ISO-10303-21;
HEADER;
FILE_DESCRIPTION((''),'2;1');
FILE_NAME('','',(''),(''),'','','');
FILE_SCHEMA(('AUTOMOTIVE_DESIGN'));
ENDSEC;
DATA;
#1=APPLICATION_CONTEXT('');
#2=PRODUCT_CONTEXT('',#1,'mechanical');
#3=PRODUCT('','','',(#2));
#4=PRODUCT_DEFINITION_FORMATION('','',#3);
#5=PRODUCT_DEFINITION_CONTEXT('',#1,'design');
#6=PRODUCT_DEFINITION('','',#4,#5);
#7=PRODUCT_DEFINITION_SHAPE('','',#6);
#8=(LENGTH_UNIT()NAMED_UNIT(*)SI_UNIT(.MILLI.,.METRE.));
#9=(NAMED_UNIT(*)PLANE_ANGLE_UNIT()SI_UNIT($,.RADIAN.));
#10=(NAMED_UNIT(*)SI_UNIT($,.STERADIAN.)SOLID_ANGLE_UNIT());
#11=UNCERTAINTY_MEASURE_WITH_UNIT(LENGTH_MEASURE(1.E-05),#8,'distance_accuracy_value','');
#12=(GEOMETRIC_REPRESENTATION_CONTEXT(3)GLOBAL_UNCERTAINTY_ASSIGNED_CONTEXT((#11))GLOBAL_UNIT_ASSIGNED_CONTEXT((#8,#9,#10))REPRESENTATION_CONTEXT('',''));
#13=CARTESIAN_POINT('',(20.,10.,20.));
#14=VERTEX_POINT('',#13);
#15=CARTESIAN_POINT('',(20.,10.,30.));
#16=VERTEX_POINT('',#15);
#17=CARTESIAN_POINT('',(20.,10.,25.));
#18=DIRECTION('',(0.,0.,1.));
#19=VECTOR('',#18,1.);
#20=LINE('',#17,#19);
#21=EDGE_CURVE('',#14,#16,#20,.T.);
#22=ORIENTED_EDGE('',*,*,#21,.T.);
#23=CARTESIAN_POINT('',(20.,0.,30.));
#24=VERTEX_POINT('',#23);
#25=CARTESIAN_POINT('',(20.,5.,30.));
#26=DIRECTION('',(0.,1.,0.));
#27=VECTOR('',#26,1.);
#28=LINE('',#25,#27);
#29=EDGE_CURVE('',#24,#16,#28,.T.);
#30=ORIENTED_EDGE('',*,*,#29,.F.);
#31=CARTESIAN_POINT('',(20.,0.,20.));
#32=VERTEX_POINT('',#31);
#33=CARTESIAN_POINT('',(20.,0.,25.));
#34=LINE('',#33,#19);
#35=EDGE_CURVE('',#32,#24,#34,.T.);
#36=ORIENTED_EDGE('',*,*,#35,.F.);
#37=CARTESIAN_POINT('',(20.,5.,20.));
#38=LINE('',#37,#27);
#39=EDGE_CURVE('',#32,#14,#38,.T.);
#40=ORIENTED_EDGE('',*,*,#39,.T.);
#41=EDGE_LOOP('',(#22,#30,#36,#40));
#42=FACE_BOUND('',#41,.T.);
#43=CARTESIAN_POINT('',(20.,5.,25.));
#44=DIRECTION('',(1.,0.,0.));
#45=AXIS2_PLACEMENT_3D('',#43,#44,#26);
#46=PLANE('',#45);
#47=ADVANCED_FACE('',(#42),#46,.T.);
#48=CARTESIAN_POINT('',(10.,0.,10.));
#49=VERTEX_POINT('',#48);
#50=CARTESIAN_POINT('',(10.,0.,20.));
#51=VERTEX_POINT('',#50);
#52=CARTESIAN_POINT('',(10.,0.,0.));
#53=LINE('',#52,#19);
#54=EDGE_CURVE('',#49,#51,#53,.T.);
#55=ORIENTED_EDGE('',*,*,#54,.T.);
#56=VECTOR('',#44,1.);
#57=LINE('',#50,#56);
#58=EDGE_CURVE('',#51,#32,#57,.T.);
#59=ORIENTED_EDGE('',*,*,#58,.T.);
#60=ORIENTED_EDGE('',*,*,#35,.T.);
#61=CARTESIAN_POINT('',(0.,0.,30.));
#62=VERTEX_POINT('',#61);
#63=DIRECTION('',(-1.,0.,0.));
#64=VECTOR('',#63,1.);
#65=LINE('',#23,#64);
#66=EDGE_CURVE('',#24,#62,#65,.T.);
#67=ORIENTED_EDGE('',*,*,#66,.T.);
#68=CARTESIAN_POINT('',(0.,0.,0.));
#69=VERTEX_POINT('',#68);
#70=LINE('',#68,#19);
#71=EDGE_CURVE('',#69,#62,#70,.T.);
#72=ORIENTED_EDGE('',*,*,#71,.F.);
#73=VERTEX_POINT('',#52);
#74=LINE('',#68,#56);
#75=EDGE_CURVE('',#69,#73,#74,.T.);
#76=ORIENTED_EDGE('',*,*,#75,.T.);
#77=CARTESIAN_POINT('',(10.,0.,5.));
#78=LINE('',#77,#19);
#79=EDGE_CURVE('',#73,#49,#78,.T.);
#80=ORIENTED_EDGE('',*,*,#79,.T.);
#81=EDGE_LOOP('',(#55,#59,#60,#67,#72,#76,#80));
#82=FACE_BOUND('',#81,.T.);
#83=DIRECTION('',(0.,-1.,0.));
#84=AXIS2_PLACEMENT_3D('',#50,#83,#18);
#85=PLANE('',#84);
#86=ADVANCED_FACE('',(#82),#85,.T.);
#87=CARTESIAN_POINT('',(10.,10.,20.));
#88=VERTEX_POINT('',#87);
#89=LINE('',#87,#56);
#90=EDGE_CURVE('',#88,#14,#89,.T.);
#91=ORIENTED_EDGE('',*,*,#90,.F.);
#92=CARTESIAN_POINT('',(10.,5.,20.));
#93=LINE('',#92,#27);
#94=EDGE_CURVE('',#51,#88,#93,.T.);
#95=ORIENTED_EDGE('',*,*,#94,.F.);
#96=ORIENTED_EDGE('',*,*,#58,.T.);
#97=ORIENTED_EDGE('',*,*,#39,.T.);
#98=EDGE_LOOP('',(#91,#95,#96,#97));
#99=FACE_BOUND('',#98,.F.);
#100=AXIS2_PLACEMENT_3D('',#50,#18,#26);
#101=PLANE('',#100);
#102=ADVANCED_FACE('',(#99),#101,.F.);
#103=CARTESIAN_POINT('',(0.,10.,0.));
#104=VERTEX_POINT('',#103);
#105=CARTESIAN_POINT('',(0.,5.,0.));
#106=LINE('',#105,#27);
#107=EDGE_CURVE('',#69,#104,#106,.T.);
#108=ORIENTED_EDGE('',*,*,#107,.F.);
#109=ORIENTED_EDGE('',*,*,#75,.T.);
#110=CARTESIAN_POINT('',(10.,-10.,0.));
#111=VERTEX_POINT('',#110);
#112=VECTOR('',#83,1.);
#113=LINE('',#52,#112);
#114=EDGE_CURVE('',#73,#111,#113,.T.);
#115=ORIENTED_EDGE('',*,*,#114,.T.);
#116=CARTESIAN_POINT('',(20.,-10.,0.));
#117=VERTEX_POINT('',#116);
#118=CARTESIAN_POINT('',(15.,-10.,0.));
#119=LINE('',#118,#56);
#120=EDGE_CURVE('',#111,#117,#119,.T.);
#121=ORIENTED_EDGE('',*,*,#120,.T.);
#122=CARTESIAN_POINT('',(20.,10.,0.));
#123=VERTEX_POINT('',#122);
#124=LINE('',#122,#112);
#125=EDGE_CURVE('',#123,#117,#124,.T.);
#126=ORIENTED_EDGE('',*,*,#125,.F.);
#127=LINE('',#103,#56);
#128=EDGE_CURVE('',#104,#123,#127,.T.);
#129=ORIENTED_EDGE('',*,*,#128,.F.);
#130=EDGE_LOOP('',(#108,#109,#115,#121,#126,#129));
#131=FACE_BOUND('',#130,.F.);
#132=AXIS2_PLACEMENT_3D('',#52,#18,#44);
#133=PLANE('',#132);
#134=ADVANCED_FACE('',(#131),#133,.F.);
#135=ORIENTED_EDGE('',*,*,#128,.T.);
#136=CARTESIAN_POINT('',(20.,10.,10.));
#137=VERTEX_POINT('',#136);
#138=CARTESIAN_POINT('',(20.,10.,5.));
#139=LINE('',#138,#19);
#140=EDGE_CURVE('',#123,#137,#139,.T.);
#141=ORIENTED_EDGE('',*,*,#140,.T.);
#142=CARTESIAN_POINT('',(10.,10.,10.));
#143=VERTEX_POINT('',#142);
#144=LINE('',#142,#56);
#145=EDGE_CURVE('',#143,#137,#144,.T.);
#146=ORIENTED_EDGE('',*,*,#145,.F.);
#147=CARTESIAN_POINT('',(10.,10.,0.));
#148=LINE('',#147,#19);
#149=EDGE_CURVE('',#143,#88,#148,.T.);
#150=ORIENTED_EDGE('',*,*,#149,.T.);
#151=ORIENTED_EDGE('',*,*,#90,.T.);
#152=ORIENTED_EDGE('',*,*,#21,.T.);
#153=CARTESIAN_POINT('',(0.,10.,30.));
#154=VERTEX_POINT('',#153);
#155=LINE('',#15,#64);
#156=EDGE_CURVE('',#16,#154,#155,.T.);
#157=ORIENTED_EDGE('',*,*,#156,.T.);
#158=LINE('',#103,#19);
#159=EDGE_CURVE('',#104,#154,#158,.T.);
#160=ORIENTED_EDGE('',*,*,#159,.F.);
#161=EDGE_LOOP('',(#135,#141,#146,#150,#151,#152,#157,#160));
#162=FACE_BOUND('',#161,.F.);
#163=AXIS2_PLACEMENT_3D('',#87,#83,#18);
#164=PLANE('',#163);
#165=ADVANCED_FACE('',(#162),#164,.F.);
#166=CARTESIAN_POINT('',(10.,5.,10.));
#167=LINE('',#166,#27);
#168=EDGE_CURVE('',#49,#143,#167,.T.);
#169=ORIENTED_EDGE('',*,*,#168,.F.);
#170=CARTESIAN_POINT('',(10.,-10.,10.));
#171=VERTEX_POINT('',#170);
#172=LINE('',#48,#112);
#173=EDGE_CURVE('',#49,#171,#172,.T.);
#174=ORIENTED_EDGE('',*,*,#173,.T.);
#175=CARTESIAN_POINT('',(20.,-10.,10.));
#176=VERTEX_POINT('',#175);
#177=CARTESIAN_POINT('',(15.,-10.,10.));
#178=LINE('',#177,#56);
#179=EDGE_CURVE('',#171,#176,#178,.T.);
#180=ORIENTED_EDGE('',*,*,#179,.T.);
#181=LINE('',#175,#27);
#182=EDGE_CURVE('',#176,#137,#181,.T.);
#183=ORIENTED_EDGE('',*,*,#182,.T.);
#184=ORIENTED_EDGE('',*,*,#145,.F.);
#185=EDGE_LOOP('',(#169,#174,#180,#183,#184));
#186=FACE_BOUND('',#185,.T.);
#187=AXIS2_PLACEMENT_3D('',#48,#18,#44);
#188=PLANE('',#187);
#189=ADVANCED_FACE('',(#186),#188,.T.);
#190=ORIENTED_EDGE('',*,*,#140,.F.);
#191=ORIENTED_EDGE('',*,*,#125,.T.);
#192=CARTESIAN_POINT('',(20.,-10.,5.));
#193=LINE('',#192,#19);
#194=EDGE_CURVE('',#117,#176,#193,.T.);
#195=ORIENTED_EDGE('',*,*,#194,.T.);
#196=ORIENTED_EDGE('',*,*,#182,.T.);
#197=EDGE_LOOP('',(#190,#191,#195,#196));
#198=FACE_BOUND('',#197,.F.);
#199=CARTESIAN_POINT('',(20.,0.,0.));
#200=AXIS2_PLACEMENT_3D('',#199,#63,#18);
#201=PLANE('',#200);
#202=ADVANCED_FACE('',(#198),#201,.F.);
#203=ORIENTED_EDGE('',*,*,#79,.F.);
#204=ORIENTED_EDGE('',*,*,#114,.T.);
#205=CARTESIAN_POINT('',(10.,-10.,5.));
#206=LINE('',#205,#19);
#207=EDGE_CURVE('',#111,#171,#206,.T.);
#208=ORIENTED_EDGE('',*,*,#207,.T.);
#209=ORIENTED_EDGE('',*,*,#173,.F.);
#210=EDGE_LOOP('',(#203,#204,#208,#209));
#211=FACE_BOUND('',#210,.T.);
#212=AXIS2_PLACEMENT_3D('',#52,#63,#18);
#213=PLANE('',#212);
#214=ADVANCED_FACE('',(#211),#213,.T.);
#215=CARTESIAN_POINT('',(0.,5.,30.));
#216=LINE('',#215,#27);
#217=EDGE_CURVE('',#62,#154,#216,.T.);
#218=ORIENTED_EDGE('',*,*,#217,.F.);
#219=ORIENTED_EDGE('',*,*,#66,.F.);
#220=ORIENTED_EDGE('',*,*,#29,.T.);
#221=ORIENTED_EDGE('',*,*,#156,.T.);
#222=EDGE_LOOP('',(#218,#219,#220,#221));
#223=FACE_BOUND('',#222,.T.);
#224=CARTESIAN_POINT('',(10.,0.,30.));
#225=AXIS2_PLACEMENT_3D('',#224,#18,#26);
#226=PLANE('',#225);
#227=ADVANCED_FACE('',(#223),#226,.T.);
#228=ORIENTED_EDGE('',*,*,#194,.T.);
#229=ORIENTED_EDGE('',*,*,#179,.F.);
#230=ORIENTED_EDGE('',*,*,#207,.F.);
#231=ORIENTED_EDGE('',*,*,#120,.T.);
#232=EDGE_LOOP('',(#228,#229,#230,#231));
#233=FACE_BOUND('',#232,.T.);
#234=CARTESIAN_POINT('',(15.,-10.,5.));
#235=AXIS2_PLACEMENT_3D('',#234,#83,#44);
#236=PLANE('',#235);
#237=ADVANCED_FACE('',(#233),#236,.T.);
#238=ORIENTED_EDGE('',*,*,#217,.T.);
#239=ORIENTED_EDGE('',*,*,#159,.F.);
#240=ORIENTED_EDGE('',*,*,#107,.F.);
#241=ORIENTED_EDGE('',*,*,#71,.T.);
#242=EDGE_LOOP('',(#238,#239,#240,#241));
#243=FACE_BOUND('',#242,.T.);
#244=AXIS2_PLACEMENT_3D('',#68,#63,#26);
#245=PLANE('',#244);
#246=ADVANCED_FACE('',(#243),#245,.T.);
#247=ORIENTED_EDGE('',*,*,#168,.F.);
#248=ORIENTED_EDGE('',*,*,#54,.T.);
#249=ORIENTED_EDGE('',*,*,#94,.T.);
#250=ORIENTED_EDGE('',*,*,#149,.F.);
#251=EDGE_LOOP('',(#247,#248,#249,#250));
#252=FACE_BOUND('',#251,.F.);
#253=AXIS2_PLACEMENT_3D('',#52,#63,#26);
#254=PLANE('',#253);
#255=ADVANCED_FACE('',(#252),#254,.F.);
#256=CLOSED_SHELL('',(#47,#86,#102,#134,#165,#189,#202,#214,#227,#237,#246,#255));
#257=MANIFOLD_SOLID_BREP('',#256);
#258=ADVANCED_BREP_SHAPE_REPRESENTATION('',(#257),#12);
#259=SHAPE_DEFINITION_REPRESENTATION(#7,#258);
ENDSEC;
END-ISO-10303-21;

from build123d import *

# Parameters (mm, degrees)
F0_W     = 10
F0_H     = 10
F1_DEPTH = 30
F2_W     = 10
F2_H     = 10
F3_DEPTH = 10
F4_W     = 10
F4_H     = 10
F5_DEPTH = 10
F6_W     = 10
F6_H     = 10
F7_DEPTH = 10


with BuildPart() as f1:
    # F0 (on Top) → F1 (new body)
    with BuildSketch(Plane.XY):
        with Locations((5, 5)):
            Rectangle(F0_W, F0_H)
    extrude(amount=F1_DEPTH)

    # F2 (on face) → F3 (join)
    with BuildSketch(Plane.YZ.offset(10)):
        with Locations((5, 5)):
            Rectangle(F2_W, F2_H)
    extrude(amount=F3_DEPTH)

    # F4 (on face) → F5 (join)
    with BuildSketch(Plane.XZ):
        with Locations((15, 5)):
            Rectangle(F4_W, F4_H)
    extrude(amount=F5_DEPTH)

    # F6 (on face) → F7 (join)
    with BuildSketch(Plane.YZ.offset(10)):
        with Locations((5, 25)):
            Rectangle(F6_W, F6_H)
    extrude(amount=F7_DEPTH)


solid = f1.part
